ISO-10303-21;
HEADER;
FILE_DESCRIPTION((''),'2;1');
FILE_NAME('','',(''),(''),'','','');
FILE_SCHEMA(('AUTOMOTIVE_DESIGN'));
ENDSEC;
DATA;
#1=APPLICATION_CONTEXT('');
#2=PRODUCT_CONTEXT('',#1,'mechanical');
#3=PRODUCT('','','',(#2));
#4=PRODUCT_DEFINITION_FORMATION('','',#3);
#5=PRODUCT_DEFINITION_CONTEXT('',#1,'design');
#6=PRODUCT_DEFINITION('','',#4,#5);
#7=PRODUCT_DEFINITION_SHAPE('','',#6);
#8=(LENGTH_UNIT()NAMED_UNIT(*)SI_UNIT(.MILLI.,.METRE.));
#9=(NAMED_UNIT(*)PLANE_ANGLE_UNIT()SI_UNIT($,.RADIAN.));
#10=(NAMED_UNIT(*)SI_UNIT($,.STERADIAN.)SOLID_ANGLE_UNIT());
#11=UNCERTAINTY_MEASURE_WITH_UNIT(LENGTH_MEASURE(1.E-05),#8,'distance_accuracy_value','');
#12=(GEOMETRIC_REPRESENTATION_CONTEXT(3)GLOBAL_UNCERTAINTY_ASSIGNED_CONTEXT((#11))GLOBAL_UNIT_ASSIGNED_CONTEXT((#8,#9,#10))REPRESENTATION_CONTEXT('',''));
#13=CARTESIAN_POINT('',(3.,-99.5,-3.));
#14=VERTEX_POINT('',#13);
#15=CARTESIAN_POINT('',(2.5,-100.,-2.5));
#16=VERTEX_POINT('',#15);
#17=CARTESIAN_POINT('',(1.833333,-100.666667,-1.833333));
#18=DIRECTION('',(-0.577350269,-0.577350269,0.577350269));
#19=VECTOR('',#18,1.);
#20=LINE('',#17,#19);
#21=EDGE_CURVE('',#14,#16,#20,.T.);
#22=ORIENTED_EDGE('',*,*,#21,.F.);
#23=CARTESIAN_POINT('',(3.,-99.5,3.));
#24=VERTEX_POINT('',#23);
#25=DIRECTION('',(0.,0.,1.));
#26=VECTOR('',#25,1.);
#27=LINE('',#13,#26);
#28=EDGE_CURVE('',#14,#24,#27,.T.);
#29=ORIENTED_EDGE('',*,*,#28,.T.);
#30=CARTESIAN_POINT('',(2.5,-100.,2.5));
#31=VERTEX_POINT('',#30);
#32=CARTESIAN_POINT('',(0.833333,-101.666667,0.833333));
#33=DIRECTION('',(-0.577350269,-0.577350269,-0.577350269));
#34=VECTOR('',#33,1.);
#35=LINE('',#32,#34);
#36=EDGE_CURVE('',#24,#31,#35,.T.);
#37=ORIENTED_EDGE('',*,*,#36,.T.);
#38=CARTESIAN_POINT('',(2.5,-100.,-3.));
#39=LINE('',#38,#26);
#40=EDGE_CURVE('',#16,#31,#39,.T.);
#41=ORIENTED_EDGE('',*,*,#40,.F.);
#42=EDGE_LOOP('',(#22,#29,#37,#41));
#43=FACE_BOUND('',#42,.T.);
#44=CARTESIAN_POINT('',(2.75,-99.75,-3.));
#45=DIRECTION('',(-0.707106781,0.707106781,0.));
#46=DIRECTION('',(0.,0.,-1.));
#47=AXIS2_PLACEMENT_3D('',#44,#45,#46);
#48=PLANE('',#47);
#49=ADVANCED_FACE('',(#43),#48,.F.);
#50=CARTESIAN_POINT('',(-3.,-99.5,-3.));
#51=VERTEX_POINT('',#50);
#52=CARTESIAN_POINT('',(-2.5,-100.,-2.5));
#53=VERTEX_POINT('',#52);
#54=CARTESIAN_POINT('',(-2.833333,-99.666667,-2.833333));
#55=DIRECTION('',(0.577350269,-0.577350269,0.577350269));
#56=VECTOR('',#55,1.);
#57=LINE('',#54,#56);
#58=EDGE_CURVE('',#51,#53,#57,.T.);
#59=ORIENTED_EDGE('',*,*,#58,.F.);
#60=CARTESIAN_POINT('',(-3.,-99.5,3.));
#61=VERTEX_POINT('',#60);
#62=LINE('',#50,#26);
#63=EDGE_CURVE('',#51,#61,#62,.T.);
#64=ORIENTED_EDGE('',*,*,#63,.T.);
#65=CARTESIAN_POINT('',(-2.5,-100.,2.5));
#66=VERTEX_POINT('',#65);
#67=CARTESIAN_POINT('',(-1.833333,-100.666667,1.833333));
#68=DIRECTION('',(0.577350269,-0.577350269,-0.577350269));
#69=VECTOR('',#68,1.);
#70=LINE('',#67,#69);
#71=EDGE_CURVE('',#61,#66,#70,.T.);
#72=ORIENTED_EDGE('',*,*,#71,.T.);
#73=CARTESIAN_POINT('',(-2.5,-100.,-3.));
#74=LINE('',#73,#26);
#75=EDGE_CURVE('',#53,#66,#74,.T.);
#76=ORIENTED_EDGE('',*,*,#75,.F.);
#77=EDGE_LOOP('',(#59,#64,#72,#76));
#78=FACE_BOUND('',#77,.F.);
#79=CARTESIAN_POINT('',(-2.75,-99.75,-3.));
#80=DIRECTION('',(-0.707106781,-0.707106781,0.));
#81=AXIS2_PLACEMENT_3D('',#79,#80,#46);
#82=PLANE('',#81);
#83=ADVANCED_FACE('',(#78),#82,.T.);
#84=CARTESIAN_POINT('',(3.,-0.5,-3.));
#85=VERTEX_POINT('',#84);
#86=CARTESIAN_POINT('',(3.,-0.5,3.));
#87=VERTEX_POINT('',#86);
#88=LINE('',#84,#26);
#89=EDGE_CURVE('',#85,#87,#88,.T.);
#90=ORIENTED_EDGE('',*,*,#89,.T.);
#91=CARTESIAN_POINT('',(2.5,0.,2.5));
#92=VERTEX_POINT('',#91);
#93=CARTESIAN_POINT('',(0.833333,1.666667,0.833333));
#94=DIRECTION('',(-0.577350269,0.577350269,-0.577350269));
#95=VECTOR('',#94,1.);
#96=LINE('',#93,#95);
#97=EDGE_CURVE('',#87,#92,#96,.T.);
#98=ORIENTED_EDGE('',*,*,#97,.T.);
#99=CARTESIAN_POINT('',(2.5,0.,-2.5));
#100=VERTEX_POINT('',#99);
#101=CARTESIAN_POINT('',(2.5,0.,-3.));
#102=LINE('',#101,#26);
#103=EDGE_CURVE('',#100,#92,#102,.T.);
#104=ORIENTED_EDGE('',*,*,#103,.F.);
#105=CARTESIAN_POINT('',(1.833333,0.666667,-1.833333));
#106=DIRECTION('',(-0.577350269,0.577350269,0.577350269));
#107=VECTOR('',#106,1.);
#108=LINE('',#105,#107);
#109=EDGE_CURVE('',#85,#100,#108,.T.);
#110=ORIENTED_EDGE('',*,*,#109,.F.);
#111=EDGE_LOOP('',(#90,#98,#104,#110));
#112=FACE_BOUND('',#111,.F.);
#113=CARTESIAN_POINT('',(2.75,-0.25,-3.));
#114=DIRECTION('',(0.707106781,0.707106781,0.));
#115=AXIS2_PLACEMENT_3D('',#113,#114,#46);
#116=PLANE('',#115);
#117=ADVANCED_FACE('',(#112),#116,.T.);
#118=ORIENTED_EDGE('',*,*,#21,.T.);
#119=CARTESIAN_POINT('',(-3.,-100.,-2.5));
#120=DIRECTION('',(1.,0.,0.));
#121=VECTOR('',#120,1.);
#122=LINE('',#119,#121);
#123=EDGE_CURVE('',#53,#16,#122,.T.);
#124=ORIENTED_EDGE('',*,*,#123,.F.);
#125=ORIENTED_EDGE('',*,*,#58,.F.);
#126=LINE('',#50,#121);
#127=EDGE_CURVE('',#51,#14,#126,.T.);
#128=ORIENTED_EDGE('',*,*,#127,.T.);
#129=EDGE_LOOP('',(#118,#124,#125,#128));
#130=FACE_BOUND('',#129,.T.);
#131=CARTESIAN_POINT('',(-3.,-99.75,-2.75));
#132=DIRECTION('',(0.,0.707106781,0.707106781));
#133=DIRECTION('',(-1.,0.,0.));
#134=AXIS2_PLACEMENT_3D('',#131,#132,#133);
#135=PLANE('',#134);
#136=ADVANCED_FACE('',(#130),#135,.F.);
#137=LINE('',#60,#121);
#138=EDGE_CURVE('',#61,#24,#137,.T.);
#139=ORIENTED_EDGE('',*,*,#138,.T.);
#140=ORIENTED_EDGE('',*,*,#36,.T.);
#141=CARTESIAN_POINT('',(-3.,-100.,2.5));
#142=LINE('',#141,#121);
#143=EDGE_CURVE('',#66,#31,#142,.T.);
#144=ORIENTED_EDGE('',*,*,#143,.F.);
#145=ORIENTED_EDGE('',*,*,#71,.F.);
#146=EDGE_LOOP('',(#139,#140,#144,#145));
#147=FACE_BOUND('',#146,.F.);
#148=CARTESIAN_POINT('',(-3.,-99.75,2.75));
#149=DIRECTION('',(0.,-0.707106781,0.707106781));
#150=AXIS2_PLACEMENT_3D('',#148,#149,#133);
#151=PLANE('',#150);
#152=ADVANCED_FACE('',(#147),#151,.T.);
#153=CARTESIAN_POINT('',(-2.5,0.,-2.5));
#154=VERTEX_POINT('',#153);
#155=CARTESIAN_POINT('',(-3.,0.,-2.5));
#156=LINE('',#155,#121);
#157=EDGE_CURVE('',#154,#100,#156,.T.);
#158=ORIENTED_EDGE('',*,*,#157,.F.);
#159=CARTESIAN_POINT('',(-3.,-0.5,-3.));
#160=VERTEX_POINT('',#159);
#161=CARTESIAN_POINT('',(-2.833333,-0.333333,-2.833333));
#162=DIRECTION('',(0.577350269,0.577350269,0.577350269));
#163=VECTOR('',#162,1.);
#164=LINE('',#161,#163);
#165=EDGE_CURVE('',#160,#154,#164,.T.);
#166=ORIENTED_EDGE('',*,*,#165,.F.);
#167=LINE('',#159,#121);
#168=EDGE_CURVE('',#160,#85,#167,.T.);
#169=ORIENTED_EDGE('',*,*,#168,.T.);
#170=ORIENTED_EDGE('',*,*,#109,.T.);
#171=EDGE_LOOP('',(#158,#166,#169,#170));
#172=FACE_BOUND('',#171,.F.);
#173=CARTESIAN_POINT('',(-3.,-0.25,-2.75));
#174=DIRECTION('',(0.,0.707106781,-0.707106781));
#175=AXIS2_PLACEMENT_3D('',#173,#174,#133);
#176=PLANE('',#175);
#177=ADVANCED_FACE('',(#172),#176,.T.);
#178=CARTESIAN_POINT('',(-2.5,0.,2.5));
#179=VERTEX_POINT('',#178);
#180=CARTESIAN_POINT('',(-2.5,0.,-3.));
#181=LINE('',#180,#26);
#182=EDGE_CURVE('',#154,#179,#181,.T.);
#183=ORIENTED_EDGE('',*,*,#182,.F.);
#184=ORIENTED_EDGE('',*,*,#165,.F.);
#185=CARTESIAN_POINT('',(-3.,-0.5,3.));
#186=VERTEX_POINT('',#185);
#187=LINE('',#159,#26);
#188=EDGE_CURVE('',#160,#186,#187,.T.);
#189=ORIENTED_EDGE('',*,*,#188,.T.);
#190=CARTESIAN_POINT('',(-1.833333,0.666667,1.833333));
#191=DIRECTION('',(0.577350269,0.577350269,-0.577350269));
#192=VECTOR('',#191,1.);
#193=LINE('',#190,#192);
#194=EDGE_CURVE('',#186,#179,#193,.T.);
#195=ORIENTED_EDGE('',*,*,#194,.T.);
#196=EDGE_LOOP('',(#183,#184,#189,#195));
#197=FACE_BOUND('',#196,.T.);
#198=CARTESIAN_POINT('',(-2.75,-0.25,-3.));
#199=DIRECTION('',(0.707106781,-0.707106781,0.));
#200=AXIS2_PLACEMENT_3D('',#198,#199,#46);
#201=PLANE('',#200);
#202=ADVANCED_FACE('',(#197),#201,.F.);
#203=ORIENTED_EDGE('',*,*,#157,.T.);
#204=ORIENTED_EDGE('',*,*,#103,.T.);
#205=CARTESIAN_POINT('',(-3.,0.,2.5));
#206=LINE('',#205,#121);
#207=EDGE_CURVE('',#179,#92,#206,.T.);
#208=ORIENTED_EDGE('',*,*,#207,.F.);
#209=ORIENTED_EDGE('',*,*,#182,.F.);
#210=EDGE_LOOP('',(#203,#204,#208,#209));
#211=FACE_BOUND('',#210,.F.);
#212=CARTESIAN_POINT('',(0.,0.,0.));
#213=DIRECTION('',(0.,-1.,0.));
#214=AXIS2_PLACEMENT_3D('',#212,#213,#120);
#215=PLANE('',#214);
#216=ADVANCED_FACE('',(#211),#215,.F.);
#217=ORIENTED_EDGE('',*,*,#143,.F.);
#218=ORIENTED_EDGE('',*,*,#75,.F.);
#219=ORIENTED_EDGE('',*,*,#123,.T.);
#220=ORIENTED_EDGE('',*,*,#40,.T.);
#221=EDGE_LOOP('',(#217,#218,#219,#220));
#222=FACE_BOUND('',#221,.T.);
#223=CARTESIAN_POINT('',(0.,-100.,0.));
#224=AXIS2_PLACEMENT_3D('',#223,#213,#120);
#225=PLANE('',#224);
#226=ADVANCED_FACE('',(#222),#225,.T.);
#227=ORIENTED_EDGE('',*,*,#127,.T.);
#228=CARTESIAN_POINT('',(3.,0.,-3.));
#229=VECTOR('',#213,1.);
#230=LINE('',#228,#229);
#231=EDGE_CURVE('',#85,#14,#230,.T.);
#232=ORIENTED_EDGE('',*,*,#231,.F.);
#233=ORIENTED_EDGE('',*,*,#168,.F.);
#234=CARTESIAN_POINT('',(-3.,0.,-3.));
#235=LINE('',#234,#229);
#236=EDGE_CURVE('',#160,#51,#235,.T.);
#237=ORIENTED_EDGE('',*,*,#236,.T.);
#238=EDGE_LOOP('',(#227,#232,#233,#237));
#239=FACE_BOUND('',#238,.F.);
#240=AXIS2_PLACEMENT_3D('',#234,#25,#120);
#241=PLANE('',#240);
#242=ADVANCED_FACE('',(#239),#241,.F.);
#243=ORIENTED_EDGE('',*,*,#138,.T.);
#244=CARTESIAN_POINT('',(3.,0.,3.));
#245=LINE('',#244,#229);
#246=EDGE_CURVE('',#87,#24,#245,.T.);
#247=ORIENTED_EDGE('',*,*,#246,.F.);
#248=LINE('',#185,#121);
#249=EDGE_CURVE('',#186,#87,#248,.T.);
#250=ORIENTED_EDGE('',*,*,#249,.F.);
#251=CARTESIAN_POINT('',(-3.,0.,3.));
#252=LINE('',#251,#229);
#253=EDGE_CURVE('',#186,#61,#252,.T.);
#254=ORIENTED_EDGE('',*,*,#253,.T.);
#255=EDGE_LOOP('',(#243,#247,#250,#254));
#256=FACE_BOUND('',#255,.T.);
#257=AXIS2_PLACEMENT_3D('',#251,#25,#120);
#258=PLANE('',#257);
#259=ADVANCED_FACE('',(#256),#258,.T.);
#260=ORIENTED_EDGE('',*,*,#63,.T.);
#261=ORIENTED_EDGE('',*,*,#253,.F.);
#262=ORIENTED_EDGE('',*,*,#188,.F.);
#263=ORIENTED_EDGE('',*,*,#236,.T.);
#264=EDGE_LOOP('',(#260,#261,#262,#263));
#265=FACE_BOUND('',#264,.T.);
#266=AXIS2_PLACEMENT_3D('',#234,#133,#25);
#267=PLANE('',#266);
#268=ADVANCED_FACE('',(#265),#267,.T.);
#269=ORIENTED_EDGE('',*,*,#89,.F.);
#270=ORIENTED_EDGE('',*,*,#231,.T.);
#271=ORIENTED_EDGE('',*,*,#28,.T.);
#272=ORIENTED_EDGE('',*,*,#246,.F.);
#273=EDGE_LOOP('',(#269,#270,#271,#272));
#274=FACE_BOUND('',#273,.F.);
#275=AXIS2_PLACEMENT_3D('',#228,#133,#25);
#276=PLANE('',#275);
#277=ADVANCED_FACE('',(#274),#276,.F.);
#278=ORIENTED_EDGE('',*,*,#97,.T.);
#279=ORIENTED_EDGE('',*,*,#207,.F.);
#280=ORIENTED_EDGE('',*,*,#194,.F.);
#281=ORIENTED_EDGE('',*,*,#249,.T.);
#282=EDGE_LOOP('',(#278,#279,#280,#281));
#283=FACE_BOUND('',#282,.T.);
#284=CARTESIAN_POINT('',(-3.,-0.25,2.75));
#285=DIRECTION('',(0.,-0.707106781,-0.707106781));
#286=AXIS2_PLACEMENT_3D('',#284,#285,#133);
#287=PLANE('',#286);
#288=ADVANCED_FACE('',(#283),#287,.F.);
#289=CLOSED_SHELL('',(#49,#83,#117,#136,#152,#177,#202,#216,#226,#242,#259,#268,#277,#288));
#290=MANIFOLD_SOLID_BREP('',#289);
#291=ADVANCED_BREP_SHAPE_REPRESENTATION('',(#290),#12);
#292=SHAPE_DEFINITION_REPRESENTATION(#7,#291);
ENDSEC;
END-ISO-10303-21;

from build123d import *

# Parameters (mm, degrees)
F1_W     = 6
F1_H     = 6
F2_DEPTH = 100
F3_SIZE  = 0.5


with BuildPart() as f2:
    # F1 (on Front) → F2 (new body)
    with BuildSketch(Plane.XZ):
        Rectangle(F1_W, F1_H)
    extrude(amount=F2_DEPTH)

    # F3
    f3_edges = [f2.edges().sort_by_distance(p)[0] for p in [
        (0, -100, 3),
        (3, -100, 0),
        (0, -100, -3),
        (-3, -100, 0),
        (0, 0, 3),
        (-3, 0, 0),
        (0, 0, -3),
        (3, 0, 0),
    ]]
    chamfer(f3_edges, length=F3_SIZE)


solid = f2.part
